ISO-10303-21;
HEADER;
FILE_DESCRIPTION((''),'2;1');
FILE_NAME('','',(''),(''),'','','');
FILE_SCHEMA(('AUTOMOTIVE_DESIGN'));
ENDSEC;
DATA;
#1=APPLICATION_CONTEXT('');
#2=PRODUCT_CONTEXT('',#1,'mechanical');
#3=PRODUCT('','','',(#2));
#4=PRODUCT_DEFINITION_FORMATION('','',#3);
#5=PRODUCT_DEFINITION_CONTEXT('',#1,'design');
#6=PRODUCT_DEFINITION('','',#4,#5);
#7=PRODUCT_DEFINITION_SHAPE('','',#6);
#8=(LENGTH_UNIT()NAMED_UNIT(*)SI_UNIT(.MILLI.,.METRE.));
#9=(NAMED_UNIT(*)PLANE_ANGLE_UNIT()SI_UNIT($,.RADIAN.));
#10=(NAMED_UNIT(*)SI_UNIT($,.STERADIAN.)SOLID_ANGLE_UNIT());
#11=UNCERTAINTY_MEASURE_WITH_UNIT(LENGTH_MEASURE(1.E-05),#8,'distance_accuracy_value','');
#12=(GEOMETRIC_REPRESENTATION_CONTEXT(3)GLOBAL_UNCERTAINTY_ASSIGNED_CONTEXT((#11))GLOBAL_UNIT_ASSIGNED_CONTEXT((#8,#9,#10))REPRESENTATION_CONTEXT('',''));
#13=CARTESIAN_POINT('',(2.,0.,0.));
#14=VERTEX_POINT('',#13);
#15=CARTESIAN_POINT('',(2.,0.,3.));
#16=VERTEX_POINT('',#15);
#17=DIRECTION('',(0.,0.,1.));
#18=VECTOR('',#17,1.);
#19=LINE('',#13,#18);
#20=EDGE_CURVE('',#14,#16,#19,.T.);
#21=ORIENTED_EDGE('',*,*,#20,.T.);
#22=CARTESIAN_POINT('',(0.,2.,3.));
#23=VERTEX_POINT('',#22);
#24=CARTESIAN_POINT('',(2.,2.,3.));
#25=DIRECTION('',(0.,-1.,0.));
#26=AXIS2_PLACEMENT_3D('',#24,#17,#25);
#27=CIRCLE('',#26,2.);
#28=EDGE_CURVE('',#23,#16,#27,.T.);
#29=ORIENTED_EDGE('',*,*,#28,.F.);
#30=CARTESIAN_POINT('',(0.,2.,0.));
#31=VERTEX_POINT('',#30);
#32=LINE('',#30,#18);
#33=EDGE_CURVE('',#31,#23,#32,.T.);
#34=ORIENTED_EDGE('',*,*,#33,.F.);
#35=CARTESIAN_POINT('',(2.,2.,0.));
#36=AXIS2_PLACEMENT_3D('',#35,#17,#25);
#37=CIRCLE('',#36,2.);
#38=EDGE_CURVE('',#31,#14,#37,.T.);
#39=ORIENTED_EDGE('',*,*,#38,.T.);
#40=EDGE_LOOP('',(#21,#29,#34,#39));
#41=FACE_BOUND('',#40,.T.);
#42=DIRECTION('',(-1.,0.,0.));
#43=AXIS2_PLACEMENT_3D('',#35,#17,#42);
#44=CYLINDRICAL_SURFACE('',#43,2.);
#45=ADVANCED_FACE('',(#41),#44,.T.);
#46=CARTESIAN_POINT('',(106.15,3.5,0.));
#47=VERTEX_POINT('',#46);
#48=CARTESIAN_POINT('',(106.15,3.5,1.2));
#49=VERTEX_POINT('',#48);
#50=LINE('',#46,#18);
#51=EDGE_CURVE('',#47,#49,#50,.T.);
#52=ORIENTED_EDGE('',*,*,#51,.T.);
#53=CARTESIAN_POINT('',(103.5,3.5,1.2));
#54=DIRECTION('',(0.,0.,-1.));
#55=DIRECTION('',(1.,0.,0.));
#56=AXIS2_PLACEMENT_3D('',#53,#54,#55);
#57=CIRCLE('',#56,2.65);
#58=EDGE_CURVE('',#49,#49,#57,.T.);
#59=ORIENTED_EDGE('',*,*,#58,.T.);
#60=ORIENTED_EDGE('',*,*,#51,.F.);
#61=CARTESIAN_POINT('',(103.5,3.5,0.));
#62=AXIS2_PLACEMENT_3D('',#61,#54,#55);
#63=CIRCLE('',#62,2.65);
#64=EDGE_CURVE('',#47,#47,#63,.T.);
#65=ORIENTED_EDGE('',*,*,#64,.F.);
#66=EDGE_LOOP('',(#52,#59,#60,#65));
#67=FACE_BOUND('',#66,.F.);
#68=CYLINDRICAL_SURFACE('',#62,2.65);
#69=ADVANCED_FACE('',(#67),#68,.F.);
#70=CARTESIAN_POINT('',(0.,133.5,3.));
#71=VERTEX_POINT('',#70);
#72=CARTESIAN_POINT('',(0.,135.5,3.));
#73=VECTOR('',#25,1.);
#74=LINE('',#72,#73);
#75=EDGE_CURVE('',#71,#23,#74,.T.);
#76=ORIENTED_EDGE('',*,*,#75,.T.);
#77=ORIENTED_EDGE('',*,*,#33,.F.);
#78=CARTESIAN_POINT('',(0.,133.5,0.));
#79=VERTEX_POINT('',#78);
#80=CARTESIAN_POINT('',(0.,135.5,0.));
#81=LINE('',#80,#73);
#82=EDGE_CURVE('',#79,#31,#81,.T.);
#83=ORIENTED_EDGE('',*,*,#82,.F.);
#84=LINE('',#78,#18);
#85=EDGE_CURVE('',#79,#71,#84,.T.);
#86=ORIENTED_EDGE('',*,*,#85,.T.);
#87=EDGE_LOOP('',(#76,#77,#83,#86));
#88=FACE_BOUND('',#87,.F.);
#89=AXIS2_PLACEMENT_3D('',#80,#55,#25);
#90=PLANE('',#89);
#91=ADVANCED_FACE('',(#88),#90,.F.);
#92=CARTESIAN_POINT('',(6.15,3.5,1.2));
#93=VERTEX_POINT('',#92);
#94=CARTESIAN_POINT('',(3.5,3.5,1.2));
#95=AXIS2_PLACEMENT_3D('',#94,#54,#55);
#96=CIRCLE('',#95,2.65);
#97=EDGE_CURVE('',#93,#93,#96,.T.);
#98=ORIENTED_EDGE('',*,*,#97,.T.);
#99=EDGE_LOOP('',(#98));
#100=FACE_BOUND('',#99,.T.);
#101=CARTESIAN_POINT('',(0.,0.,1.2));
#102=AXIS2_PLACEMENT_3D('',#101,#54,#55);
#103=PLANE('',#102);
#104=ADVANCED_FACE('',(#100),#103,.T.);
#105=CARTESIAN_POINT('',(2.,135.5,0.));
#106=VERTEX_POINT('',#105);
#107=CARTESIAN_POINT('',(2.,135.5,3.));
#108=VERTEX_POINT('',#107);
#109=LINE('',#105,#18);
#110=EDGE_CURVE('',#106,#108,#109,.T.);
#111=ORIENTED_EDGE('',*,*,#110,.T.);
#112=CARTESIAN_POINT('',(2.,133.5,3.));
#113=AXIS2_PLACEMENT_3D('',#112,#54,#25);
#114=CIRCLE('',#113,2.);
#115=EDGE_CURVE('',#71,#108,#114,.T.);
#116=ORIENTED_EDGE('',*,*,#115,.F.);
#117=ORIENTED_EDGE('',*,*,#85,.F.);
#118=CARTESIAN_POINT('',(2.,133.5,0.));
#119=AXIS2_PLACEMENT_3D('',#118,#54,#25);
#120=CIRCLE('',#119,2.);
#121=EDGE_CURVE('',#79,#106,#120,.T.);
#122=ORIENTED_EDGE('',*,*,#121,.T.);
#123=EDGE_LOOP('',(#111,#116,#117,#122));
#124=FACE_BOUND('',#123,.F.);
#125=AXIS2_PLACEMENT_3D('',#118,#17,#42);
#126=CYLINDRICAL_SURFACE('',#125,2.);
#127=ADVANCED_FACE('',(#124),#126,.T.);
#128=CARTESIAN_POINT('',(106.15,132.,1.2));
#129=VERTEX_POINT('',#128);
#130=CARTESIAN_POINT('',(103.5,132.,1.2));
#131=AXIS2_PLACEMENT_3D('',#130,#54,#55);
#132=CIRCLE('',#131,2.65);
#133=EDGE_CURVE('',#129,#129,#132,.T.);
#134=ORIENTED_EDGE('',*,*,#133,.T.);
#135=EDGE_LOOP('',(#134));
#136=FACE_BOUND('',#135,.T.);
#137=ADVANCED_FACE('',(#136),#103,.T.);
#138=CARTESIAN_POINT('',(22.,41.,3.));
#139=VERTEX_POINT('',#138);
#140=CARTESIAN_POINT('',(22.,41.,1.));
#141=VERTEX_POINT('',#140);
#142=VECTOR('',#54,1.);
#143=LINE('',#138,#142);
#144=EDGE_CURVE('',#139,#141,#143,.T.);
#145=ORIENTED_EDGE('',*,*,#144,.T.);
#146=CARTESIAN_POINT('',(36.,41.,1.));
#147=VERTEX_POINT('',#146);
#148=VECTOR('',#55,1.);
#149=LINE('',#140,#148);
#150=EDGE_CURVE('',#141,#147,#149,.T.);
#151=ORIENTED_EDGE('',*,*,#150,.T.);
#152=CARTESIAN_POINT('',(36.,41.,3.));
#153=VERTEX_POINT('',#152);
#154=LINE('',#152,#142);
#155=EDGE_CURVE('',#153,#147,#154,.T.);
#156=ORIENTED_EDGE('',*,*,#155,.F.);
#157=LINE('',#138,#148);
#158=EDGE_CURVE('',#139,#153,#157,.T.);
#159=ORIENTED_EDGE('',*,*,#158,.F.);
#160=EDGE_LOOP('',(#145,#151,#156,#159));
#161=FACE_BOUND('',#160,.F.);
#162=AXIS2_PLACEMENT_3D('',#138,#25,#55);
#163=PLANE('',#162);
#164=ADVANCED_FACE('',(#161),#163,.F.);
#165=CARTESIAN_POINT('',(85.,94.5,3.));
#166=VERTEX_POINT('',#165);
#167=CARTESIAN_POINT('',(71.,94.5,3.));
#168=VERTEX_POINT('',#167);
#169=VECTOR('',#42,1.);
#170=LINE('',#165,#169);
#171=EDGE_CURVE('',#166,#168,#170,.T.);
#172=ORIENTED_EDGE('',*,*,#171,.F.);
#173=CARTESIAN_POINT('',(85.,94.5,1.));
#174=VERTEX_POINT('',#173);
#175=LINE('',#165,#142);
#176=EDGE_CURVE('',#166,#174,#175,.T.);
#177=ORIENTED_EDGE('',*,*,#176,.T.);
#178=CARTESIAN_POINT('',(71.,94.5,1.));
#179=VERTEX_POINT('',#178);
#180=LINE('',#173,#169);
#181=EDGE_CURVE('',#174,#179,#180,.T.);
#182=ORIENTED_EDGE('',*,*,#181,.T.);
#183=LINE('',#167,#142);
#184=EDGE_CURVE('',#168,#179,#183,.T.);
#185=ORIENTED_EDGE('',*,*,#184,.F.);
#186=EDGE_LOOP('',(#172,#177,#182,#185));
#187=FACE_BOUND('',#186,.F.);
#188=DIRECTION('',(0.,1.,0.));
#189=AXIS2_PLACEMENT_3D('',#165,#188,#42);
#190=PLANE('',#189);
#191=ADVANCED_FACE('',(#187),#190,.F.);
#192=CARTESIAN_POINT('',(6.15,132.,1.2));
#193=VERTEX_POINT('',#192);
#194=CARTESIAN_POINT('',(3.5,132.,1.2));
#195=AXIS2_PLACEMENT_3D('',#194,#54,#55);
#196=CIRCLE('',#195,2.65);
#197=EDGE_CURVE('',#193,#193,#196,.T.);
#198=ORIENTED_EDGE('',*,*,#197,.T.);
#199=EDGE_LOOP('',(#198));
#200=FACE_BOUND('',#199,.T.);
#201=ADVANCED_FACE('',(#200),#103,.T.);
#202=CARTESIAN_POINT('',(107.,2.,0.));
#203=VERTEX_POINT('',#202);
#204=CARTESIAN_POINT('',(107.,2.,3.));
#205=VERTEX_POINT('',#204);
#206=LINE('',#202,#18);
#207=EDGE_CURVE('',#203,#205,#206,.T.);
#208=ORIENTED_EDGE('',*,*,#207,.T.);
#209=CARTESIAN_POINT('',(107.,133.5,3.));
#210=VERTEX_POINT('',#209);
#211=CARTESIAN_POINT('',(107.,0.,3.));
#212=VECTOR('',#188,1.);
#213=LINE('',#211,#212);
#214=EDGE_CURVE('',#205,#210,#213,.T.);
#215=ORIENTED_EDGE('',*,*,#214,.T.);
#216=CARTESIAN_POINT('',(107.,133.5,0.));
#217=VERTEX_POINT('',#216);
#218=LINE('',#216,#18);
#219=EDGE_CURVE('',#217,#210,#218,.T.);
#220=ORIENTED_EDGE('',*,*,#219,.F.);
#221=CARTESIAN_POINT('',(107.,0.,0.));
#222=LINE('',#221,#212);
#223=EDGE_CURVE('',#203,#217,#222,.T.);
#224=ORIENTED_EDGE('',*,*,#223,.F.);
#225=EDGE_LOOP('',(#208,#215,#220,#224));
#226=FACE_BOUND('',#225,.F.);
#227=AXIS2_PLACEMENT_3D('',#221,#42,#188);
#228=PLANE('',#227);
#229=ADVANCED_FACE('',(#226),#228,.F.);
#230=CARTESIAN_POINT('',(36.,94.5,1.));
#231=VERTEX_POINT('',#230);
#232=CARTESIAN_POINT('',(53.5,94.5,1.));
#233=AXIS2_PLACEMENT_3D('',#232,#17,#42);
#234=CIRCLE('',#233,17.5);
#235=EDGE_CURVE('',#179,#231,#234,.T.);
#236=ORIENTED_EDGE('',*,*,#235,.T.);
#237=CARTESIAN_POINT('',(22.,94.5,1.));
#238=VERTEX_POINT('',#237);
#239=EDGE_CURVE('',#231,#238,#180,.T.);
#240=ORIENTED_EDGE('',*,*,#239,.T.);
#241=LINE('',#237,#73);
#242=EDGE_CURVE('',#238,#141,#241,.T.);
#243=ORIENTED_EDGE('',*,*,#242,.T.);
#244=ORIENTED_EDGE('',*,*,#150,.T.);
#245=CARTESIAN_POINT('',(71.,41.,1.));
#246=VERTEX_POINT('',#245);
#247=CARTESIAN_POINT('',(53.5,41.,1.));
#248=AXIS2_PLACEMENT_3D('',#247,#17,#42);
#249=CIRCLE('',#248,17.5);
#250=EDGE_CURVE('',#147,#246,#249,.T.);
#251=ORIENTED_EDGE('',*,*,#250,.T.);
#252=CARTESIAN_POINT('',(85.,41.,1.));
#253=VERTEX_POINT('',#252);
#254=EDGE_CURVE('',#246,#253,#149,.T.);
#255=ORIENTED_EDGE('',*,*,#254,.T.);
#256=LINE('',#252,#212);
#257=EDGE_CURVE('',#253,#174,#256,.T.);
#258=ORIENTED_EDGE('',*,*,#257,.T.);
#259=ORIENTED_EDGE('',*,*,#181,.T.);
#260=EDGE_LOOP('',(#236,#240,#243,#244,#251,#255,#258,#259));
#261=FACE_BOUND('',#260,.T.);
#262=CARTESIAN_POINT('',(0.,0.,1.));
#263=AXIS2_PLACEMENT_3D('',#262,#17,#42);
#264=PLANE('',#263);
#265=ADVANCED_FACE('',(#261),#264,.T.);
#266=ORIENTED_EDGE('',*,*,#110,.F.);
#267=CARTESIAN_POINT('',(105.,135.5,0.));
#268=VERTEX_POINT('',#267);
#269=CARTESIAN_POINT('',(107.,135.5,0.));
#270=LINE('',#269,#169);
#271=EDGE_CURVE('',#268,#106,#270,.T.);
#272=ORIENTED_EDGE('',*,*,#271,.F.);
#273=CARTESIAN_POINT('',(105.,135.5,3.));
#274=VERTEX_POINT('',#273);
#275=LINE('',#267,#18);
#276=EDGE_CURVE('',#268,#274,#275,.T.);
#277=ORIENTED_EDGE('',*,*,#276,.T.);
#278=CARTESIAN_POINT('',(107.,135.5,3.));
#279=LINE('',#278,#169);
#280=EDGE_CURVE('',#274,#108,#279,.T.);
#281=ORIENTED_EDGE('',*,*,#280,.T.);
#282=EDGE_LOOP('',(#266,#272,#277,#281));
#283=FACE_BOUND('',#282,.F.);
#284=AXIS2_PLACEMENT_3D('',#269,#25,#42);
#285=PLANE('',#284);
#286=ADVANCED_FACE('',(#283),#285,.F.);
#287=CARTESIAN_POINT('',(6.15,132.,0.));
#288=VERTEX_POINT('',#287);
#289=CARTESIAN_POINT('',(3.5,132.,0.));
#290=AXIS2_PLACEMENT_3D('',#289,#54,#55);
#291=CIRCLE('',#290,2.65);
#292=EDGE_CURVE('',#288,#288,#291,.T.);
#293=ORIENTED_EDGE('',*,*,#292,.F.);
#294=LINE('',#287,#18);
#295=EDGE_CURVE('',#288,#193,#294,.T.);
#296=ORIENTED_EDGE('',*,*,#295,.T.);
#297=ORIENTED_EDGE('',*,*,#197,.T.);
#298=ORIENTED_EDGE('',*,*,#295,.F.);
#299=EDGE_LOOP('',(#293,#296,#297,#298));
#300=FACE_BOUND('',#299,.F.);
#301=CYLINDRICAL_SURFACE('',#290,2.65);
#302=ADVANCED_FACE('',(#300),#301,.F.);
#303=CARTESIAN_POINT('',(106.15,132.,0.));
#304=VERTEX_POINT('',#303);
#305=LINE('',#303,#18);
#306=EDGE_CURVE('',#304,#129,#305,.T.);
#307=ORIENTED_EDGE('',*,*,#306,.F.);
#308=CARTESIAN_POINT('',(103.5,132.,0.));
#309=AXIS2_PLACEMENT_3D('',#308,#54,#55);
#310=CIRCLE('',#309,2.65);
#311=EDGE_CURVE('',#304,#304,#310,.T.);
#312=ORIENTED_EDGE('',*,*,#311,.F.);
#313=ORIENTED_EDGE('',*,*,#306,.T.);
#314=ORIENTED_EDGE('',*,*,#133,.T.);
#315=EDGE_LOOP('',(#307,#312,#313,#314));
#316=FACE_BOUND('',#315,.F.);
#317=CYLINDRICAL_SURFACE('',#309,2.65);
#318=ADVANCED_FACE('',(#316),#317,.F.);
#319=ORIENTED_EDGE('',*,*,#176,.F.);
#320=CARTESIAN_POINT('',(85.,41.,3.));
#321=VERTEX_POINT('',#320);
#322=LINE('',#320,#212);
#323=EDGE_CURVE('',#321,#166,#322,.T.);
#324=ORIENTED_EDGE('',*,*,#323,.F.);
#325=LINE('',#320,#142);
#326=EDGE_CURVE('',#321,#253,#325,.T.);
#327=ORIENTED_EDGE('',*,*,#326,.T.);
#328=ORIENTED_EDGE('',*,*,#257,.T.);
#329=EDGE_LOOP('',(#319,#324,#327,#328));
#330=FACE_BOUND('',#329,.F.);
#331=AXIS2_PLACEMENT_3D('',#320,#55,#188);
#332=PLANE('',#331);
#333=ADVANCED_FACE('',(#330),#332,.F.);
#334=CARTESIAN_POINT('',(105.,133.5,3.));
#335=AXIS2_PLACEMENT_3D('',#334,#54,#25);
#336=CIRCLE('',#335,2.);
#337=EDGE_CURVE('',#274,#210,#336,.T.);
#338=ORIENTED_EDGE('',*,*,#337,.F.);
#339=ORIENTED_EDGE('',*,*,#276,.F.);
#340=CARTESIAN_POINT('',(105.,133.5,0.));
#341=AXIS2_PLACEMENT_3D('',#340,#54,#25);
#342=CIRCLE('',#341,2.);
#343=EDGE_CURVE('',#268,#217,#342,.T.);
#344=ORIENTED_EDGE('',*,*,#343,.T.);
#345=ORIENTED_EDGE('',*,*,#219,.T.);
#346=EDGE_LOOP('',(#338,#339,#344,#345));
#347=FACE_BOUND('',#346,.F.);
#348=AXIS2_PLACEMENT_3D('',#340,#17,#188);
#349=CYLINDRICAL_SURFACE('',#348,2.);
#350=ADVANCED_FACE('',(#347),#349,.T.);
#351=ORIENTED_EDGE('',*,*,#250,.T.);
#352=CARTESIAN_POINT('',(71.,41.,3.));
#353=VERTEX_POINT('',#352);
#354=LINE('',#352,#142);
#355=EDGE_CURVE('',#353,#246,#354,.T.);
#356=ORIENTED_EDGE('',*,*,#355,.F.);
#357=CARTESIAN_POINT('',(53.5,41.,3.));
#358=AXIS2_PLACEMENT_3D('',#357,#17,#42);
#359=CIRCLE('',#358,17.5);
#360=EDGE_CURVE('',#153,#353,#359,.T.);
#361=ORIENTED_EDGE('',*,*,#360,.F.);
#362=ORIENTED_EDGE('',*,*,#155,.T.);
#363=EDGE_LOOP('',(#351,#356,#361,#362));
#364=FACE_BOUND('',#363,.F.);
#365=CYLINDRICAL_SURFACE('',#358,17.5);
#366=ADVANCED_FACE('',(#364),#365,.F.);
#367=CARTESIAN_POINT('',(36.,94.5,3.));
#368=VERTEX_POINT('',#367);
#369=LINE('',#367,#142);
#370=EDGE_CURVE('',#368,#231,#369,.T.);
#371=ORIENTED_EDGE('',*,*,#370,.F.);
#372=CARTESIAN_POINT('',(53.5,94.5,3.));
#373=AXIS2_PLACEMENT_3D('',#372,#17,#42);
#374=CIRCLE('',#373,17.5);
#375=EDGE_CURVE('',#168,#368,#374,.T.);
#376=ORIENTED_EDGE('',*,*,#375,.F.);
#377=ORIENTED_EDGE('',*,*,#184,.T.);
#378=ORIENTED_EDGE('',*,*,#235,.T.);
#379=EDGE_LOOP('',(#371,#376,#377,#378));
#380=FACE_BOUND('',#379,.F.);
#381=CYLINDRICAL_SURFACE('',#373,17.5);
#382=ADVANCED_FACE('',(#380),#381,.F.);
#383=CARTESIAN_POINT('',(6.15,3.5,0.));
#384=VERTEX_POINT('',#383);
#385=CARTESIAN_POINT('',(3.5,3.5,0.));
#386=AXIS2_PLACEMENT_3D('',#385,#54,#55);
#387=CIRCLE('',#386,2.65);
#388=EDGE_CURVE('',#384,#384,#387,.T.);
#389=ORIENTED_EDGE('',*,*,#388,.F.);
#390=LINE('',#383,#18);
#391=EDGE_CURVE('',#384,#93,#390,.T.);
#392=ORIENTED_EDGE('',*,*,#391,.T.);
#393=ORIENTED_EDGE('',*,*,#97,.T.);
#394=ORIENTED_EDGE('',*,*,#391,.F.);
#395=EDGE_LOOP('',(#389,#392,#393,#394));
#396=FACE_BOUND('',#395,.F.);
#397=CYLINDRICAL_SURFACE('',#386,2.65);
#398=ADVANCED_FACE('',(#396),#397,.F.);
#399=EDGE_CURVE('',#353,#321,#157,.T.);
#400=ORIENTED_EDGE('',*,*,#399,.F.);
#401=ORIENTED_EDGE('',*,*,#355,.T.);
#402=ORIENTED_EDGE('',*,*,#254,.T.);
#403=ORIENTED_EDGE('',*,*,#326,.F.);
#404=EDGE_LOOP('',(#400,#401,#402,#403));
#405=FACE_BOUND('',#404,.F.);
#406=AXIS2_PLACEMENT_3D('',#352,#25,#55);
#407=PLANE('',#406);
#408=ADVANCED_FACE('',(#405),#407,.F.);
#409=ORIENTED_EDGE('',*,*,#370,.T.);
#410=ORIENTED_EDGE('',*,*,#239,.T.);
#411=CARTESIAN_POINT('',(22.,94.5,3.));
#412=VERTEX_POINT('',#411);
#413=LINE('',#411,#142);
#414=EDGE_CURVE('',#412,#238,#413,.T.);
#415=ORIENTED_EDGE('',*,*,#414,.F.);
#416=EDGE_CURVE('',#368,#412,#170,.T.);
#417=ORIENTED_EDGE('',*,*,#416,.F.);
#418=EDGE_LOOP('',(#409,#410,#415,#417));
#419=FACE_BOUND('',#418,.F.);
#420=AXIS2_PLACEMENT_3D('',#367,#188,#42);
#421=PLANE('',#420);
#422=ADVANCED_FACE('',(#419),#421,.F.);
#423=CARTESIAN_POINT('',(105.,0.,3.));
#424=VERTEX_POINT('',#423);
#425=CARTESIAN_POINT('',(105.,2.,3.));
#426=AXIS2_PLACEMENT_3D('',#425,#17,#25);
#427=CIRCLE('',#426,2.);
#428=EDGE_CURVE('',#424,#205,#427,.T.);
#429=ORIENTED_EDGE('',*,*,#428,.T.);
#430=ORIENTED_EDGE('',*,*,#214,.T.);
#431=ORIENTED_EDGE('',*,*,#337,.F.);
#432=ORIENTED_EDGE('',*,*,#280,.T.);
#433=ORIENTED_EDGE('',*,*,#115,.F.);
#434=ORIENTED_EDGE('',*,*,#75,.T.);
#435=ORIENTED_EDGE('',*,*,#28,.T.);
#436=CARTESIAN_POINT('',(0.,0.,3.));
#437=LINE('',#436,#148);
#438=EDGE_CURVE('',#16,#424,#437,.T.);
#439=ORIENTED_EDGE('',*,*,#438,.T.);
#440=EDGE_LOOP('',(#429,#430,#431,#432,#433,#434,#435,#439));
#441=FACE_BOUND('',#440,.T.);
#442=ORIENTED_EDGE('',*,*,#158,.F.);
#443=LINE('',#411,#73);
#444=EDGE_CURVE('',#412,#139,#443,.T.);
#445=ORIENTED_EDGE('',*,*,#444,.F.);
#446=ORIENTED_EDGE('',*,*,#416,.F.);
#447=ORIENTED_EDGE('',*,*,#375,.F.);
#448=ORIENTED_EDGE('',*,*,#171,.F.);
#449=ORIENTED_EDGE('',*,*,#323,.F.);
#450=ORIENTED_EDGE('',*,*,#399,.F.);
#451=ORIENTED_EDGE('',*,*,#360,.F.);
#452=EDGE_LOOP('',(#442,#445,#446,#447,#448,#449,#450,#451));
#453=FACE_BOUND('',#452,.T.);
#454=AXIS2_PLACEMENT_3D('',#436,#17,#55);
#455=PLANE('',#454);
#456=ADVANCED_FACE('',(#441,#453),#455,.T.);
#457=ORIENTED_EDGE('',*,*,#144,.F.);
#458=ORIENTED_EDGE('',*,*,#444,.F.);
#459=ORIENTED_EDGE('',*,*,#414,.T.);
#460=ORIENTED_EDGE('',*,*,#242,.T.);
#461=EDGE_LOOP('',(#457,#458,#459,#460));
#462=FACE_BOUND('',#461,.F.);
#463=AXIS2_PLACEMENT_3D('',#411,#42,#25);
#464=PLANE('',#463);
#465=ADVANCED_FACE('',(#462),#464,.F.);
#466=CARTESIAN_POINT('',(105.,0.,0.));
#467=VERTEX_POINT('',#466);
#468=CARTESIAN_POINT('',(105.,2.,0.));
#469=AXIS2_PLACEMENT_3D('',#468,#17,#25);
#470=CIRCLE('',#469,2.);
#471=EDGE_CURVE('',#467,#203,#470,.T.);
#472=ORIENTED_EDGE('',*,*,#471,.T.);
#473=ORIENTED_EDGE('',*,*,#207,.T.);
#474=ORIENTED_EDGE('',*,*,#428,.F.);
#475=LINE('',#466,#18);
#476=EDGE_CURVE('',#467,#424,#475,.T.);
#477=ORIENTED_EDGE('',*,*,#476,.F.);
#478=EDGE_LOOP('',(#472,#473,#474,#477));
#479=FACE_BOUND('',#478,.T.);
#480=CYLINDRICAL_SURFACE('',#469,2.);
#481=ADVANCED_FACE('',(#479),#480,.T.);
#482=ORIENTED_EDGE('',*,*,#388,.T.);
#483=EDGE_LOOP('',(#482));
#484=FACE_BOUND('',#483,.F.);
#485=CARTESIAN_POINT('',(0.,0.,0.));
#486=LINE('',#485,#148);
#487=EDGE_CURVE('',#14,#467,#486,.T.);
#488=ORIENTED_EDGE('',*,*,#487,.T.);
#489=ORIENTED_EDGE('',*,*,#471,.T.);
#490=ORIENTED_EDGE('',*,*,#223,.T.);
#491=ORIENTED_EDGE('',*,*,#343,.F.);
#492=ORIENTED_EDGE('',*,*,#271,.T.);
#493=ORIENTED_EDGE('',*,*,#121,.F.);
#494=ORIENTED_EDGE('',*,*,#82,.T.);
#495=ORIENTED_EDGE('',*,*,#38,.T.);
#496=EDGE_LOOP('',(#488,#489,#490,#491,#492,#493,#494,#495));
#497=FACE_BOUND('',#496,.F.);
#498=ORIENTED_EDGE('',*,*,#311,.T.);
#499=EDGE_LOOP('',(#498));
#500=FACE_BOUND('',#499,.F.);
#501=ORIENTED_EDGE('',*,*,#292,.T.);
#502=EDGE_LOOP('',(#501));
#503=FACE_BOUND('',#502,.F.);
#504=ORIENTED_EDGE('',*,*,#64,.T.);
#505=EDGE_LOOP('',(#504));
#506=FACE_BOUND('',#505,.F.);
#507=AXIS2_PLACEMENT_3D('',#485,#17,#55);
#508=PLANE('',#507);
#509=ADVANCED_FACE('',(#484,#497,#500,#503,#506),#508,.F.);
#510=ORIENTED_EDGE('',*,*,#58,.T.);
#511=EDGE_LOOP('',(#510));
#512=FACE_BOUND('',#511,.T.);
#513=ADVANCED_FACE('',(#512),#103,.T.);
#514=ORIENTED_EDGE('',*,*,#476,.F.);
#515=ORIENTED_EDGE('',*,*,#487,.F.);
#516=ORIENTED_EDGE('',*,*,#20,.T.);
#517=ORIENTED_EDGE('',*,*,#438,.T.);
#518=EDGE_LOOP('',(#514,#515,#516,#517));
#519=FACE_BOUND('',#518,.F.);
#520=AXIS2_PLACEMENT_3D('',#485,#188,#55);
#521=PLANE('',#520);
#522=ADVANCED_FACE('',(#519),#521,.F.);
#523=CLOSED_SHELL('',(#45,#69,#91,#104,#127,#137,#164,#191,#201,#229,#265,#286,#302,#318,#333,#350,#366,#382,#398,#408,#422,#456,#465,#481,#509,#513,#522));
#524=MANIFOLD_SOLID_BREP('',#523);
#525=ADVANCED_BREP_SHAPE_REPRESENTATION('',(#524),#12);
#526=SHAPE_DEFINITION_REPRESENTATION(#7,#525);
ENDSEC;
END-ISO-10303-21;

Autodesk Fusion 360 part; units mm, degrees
sketch "Skizze1" plane through (0, 0, 0) normal (0, 0, 1) x (1, 0, 0)
  line L0 (0, 0) -> (107, 0)
  line L1 (107, 0) -> (107, 135.5)
  line L2 (107, 135.5) -> (0, 135.5)
  line L3 (0, 135.5) -> (0, 0)
  dimension "d1" = 107
  dimension "d2" = 135.5
extrude "Extrusion1" add sketch "Skizze1" along normal blind 3
sketch "Skizze2" plane through (0, 0, 3) normal (0, 0, 1) x (-1, 0, 0)
  line L0 (0, -135.5) -> (0, 0)
  line L1 (0, 0) -> (-107, 0)
  line L2 (-107, 0) -> (-107, -135.5)
  line L3 (-107, -135.5) -> (0, -135.5)
  line L4 (-22, -41) -> (-85, -41)
  line L5 (-85, -41) -> (-85, -94.5)
  line L6 (-85, -94.5) -> (-22, -94.5)
  line L7 (-22, -94.5) -> (-22, -41)
  circle A0 centre (-53.5, -41) radius 17.5
  circle A1 centre (-53.5, -94.5) radius 17.5
  dimension "d5" = 63
  dimension "d6" = 53.5
  dimension "d7" = 41
  dimension "d8" = 22
  dimension "d9" = 35
  dimension "d10" = 35
extrude "Extrusion2" cut sketch "Skizze2" against normal blind 2 contours L4 L5 L6 L7 A0 A1 | L4 A0 | L4 A0 | L6 A1 | L6 A1
sketch "Skizze3" plane through (0, 0, 0) normal (0, 0, -1) x (1, 0, 0)
  line L0 (0, 0) -> (0, -135.5)
  line L1 (0, -135.5) -> (107, -135.5)
  line L2 (107, -135.5) -> (107, 0)
  line L3 (107, 0) -> (0, 0)
  line L4 (0, 0) -> (7, 0)
  line L5 (7, 0) -> (7, -7)
  line L6 (7, -7) -> (0, -7)
  line L7 (0, -7) -> (0, 0)
  line L8 (107, 0) -> (100, 0)
  line L9 (100, 0) -> (100, -7)
  line L10 (100, -7) -> (107, -7)
  line L11 (107, -7) -> (107, 0)
  line L12 (0, -135.5) -> (7, -135.5)
  line L13 (7, -135.5) -> (7, -128.5)
  line L14 (7, -128.5) -> (0, -128.5)
  line L15 (0, -128.5) -> (0, -135.5)
  line L16 (107, -135.5) -> (100, -135.5)
  line L17 (100, -135.5) -> (100, -128.5)
  line L18 (100, -128.5) -> (107, -128.5)
  line L19 (107, -128.5) -> (107, -135.5)
  circle A0 centre (3.5, -132) radius 2.65
  circle A1 centre (103.5, -132) radius 2.65
  circle A2 centre (103.5, -3.5) radius 2.65
  circle A3 centre (3.5, -3.5) radius 2.65
  dimension "d13" = 7
  dimension "d14" = 7
  dimension "d15" = 7
  dimension "d16" = 7
  dimension "d17" = 7
  dimension "d18" = 7
  dimension "d19" = 7
  dimension "d20" = 7
  dimension "d21" = 5.3
  dimension "d22" = 5.3
  dimension "d23" = 5.3
  dimension "d24" = 5.3
  dimension "d25" = 3.5
  dimension "d26" = 3.5
  dimension "d27" = 3.5
  dimension "d28" = 3.5
  dimension "d29" = 3.5
  dimension "d30" = 3.5
  dimension "d31" = 3.5
  dimension "d32" = 3.5
extrude "Extrusion3" cut sketch "Skizze3" against normal blind 1.2 contours A0 | A1 | A2 | A3
fillet "Abrundung1" radius 2 4 edges at (107, 0, 1.5) (107, 135.5, 1.5) (0, 135.5, 1.5) (0, 0, 1.5)
equation "d7 = 44 mm - 3 mm"
